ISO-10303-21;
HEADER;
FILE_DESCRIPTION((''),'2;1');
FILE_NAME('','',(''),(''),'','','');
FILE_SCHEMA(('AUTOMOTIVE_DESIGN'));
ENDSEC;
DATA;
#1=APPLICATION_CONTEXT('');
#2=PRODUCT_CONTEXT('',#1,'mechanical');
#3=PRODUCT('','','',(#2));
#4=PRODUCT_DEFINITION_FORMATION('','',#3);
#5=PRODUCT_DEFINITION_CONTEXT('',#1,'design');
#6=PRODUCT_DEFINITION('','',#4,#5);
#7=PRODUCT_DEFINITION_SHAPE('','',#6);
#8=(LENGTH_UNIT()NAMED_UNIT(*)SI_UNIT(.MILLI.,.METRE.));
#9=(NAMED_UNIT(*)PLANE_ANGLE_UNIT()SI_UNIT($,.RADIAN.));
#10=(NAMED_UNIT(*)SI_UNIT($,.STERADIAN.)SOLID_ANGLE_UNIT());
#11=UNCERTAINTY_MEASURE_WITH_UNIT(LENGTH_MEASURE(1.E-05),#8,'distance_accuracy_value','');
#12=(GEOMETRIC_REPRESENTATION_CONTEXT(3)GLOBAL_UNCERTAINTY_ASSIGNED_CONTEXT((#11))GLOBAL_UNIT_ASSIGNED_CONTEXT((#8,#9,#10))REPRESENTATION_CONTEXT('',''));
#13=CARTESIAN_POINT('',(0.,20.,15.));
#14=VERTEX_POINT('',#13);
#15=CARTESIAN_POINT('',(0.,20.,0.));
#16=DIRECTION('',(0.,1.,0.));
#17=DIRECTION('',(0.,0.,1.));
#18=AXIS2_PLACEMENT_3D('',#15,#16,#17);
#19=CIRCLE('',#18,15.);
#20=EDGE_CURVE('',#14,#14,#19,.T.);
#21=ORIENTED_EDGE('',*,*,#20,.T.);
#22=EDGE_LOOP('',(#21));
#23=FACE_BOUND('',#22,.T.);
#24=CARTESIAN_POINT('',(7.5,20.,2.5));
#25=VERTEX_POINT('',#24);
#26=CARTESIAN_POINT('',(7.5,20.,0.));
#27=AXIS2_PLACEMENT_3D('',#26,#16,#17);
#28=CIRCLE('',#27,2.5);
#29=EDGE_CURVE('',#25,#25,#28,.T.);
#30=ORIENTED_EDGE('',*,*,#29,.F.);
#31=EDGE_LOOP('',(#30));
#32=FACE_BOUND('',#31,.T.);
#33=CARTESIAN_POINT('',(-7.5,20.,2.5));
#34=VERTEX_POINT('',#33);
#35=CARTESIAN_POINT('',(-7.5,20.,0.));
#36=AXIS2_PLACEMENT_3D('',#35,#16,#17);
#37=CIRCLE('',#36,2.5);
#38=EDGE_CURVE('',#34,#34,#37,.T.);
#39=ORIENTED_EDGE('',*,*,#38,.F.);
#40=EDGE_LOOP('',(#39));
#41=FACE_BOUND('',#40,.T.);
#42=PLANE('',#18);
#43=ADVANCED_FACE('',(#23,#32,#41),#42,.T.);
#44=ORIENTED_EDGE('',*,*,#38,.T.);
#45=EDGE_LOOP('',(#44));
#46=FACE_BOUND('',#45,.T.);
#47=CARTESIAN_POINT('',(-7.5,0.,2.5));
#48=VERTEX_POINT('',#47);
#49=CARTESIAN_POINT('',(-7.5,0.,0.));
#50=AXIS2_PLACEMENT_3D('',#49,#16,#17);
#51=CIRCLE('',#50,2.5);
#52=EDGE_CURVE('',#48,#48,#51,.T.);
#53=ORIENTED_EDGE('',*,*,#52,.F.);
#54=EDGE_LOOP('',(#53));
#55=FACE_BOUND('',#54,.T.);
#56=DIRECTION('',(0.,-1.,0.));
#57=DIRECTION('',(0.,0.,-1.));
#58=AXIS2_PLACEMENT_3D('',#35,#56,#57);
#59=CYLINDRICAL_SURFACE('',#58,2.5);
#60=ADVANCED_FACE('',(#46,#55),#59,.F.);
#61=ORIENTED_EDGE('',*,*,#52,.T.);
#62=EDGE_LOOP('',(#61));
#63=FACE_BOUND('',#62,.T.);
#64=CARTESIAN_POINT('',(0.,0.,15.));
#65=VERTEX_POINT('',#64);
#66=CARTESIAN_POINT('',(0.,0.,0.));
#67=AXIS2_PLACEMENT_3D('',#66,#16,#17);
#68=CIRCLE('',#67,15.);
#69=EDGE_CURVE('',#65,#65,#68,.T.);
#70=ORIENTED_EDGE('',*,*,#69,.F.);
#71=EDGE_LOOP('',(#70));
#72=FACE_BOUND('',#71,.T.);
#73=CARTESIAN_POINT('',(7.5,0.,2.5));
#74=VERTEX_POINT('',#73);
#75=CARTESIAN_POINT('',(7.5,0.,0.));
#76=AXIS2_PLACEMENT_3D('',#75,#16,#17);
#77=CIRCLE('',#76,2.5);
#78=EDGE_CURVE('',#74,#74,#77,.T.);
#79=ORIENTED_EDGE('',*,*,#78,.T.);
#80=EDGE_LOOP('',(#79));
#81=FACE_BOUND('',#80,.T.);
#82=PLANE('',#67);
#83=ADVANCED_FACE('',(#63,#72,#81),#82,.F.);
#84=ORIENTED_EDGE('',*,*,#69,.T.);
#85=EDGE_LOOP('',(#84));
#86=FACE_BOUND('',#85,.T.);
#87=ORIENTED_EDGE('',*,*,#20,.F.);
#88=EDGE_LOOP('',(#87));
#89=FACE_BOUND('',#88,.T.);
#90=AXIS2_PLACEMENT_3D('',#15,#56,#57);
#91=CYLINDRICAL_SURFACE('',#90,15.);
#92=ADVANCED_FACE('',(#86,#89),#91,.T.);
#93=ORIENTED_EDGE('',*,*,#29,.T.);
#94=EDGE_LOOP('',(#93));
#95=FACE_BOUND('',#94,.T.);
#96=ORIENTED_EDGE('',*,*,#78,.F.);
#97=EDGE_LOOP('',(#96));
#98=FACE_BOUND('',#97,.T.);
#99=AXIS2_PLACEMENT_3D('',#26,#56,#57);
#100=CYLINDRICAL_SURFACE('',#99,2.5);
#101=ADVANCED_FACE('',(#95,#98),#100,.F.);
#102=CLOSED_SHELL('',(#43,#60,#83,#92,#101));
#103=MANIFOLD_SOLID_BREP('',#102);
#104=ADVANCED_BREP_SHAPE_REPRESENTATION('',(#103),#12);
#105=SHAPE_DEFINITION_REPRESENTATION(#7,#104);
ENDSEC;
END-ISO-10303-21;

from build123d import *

# Parameters (mm, degrees)
SKETCH1_R           = 15
SKETCH1_R_2         = 2.5
BOSS_EXTRUDE1_DEPTH = 20


with BuildPart() as part:
    # Sketch1 → Boss-Extrude1 (new body)
    with BuildSketch(Plane(origin=(0, 0, 0), x_dir=(1, 0, 0), z_dir=(0, 1, 0))):
        with Locations(Location((0, 0, 0), (0, 0, 270))):
            Circle(SKETCH1_R)
        with Locations(Location((-7.5, 0, 0), (0, 0, 270))):
            Circle(SKETCH1_R_2, mode=Mode.SUBTRACT)
        with Locations(Location((7.5, 0, 0), (0, 0, 270))):
            Circle(SKETCH1_R_2, mode=Mode.SUBTRACT)
    extrude(amount=BOSS_EXTRUDE1_DEPTH)


solid = part.part
